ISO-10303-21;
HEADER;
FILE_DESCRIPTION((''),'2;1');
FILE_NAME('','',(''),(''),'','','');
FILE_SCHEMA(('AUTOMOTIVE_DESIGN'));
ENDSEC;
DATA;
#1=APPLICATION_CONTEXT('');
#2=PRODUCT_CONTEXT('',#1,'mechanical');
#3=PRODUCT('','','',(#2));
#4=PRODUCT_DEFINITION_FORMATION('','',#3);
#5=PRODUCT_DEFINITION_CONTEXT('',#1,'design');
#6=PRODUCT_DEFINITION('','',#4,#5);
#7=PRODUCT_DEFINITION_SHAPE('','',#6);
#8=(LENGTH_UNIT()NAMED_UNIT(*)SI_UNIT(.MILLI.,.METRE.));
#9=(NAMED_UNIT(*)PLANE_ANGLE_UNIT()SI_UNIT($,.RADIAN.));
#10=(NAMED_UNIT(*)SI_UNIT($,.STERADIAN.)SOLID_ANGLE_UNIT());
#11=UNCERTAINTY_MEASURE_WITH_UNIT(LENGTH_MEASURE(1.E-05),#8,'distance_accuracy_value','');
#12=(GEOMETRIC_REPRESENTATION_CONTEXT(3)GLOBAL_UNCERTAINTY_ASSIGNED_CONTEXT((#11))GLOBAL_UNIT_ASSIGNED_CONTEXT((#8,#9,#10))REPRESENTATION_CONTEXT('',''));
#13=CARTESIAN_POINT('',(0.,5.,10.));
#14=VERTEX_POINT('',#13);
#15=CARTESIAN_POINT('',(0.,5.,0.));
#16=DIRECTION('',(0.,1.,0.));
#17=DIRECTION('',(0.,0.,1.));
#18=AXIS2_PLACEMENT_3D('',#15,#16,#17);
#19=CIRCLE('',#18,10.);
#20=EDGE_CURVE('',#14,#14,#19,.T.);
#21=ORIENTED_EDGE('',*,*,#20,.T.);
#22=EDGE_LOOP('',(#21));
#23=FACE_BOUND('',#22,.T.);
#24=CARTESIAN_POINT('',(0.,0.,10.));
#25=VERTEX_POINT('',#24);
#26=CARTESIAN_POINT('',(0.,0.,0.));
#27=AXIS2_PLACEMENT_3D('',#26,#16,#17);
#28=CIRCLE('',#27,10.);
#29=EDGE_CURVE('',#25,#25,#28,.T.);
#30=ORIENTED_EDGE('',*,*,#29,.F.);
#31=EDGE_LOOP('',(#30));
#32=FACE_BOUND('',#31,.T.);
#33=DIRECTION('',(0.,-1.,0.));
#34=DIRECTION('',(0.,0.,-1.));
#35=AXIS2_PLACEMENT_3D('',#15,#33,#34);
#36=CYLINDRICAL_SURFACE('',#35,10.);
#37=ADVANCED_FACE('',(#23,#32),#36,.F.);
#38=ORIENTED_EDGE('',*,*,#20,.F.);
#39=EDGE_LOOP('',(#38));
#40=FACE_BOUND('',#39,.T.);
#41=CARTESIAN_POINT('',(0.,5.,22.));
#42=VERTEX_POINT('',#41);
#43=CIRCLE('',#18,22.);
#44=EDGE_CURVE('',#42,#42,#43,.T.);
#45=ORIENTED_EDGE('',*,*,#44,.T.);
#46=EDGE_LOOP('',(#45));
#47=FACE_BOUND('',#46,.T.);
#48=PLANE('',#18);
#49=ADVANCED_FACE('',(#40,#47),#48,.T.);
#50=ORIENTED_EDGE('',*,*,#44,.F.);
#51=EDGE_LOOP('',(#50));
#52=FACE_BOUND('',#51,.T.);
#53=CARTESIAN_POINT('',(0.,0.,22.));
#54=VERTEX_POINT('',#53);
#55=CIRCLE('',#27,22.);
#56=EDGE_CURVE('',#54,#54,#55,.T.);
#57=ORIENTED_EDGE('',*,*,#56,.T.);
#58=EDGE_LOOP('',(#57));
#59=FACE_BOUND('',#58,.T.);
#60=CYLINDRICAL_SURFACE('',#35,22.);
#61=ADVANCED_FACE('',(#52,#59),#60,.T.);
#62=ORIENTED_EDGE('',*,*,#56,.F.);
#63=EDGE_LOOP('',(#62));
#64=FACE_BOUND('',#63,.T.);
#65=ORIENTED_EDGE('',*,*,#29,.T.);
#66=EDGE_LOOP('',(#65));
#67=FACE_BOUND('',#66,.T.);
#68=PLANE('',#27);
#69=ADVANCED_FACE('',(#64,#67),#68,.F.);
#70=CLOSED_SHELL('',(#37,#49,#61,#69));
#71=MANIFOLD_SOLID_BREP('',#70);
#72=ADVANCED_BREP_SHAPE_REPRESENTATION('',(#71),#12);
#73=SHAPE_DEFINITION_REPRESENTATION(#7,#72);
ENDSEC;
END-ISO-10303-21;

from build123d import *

# Parameters (mm, degrees)
SKETCH_1_R      = 22
SKETCH_1_R_2    = 10
EXTRUDE_1_DEPTH = 5


with BuildPart() as part:
    # Эскиз1 → Вытянуть1 (new body)
    with BuildSketch(Plane(origin=(0, 0, 0), x_dir=(1, 0, 0), z_dir=(0, 1, 0))):
        with Locations(Location((0, 0, 0), (0, 0, 270))):
            Circle(SKETCH_1_R)
        with Locations(Location((0, 0, 0), (0, 0, 270))):
            Circle(SKETCH_1_R_2, mode=Mode.SUBTRACT)
    extrude(amount=EXTRUDE_1_DEPTH)


solid = part.part
